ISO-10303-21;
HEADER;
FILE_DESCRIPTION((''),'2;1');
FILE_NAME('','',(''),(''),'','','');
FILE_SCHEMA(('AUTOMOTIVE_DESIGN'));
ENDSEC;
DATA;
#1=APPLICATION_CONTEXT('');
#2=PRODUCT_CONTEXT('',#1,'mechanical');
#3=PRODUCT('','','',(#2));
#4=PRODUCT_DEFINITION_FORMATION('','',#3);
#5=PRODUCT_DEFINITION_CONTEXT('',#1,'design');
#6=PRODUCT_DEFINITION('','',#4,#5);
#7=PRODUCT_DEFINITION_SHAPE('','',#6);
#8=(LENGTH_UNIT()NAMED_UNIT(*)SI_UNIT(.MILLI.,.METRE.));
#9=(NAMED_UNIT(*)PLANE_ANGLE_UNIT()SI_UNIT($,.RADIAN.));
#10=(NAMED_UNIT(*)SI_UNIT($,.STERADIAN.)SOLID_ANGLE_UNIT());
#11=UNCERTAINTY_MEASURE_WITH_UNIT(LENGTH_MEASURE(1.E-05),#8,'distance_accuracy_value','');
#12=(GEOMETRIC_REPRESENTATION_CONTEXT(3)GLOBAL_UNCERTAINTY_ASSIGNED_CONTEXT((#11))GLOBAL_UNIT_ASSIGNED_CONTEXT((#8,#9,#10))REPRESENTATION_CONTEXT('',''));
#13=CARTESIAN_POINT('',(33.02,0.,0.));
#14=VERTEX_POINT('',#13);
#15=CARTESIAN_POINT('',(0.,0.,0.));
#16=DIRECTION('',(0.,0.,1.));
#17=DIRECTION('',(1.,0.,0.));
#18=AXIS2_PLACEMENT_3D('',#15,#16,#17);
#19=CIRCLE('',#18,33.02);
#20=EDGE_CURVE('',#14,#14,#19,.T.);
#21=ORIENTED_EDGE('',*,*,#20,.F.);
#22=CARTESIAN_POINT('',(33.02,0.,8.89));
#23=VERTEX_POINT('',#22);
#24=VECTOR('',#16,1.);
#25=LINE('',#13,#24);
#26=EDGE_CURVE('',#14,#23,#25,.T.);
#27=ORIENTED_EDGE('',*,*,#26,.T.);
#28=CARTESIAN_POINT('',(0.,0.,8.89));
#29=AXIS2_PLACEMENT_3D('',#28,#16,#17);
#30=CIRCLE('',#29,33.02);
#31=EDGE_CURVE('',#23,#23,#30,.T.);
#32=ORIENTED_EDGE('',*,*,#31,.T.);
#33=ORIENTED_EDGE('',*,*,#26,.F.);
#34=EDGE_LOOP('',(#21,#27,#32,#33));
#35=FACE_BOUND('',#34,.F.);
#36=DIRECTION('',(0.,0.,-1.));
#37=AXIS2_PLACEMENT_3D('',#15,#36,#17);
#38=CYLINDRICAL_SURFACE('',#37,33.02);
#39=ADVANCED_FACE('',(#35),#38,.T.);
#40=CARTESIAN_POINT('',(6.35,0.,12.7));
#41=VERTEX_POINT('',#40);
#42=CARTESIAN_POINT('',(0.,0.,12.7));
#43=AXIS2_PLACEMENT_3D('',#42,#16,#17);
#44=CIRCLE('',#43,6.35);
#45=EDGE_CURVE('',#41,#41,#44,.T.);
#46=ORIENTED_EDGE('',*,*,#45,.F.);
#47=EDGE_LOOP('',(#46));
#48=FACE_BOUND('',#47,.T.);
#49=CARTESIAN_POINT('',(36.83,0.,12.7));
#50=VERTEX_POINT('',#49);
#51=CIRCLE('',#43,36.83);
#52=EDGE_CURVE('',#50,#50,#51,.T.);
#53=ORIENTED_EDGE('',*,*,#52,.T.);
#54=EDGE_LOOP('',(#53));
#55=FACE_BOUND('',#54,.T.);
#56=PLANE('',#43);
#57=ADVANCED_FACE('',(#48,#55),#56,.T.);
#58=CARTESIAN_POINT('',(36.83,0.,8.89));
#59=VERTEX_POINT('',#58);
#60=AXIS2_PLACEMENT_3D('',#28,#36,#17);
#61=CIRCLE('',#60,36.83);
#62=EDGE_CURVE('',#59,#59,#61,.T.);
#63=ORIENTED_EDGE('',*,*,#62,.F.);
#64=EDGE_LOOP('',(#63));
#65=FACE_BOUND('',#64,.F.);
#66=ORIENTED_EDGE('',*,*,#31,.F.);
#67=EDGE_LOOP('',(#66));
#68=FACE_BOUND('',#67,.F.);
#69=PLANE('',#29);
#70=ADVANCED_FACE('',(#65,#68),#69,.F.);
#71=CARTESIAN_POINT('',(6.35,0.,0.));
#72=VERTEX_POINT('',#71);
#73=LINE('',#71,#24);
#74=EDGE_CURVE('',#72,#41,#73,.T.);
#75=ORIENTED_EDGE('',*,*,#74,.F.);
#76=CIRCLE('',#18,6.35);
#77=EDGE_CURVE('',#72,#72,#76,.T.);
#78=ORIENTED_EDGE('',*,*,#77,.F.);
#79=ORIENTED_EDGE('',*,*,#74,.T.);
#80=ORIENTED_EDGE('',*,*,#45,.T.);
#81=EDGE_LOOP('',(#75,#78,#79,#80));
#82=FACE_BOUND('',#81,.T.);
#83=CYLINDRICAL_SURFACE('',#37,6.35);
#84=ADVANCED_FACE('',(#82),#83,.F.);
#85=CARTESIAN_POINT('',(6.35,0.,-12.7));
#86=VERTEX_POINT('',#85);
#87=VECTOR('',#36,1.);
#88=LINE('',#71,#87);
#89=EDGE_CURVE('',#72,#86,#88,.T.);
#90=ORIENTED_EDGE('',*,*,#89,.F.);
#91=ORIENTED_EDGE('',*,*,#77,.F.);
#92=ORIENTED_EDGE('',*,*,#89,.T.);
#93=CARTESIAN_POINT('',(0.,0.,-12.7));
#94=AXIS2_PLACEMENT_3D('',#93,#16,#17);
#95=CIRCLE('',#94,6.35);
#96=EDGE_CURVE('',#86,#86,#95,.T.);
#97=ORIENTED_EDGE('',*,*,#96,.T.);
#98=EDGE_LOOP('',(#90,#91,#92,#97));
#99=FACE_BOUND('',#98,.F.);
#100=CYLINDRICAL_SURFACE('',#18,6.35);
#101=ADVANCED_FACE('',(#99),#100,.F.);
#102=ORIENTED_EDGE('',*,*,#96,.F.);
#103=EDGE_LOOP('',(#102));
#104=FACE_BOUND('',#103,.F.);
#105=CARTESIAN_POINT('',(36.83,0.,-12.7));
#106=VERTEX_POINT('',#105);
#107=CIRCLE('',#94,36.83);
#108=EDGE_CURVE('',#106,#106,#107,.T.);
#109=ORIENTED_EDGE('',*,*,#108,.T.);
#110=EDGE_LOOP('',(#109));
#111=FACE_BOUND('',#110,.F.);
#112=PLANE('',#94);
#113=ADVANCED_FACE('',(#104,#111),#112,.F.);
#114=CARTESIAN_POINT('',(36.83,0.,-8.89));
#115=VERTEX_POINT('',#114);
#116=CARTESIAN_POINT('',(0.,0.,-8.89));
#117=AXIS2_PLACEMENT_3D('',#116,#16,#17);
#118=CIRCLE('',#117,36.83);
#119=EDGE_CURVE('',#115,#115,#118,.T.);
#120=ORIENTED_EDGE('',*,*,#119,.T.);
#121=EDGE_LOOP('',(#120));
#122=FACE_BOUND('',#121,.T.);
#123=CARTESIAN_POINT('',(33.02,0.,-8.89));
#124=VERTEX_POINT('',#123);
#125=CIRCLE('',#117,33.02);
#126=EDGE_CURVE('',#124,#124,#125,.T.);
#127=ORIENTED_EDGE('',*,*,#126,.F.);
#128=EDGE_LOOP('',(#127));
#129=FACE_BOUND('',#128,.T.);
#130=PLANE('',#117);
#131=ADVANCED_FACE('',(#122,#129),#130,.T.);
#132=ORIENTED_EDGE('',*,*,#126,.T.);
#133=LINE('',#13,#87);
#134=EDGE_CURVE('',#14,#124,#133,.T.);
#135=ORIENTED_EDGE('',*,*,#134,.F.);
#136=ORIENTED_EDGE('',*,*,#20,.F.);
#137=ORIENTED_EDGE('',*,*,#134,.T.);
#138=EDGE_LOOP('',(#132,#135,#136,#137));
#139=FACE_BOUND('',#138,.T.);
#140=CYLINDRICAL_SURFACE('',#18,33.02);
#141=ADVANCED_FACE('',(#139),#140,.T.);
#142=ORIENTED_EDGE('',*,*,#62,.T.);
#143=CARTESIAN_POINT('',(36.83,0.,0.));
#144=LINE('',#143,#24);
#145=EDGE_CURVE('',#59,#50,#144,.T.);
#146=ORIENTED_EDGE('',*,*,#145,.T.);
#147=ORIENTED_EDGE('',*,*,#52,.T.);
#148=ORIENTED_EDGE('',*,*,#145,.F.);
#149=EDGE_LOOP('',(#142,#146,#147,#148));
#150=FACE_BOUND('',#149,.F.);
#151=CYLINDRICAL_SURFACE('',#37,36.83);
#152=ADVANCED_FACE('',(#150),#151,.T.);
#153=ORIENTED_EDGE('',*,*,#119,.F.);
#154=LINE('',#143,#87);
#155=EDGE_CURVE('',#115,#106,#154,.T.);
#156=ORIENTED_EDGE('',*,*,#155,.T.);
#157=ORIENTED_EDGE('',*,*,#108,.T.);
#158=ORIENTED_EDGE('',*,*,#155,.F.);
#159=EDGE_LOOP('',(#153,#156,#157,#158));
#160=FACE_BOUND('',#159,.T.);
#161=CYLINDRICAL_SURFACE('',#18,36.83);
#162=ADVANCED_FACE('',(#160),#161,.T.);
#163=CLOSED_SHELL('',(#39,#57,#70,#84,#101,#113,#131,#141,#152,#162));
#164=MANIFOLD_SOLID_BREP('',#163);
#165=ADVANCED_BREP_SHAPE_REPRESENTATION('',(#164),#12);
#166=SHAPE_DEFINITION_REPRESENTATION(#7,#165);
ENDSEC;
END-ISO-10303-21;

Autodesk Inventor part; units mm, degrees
ref_plane "YZ Plane" through (0, 0, 0) normal (1, 0, 0) x (0, 1, 0)
ref_plane "XZ Plane" through (0, 0, 0) normal (0, 1, 0) x (-1, 0, 0)
ref_plane "XY Plane" through (0, 0, 0) normal (0, 0, 1) x (1, 0, 0)
sketch "Sketch1" plane through (0, 0, 0) normal (0, 0, 1) x (1, 0, 0)
  circle A0 centre (0, 0) radius 36.83
  circle A1 centre (0, 0) radius 6.35
  dimension "d0" = 73.66
  dimension "d1" = 12.7
extrude "Extrusion1" add sketch "Sketch1" along normal mid plane 25.4
sketch "Sketch2" plane through (0, 0, 0) normal (0, 0, 1) x (1, 0, 0)
  circle A0 centre (0, 0) radius 33.02
  circle A1 centre (0, 0) radius 38.1
  dimension "d4" = 66.04
  dimension "d6" = 76.2
extrude "Extrusion2" cut sketch "Sketch2" along normal mid plane 17.78
properties part number "Chassis_AndymarkPulley"
